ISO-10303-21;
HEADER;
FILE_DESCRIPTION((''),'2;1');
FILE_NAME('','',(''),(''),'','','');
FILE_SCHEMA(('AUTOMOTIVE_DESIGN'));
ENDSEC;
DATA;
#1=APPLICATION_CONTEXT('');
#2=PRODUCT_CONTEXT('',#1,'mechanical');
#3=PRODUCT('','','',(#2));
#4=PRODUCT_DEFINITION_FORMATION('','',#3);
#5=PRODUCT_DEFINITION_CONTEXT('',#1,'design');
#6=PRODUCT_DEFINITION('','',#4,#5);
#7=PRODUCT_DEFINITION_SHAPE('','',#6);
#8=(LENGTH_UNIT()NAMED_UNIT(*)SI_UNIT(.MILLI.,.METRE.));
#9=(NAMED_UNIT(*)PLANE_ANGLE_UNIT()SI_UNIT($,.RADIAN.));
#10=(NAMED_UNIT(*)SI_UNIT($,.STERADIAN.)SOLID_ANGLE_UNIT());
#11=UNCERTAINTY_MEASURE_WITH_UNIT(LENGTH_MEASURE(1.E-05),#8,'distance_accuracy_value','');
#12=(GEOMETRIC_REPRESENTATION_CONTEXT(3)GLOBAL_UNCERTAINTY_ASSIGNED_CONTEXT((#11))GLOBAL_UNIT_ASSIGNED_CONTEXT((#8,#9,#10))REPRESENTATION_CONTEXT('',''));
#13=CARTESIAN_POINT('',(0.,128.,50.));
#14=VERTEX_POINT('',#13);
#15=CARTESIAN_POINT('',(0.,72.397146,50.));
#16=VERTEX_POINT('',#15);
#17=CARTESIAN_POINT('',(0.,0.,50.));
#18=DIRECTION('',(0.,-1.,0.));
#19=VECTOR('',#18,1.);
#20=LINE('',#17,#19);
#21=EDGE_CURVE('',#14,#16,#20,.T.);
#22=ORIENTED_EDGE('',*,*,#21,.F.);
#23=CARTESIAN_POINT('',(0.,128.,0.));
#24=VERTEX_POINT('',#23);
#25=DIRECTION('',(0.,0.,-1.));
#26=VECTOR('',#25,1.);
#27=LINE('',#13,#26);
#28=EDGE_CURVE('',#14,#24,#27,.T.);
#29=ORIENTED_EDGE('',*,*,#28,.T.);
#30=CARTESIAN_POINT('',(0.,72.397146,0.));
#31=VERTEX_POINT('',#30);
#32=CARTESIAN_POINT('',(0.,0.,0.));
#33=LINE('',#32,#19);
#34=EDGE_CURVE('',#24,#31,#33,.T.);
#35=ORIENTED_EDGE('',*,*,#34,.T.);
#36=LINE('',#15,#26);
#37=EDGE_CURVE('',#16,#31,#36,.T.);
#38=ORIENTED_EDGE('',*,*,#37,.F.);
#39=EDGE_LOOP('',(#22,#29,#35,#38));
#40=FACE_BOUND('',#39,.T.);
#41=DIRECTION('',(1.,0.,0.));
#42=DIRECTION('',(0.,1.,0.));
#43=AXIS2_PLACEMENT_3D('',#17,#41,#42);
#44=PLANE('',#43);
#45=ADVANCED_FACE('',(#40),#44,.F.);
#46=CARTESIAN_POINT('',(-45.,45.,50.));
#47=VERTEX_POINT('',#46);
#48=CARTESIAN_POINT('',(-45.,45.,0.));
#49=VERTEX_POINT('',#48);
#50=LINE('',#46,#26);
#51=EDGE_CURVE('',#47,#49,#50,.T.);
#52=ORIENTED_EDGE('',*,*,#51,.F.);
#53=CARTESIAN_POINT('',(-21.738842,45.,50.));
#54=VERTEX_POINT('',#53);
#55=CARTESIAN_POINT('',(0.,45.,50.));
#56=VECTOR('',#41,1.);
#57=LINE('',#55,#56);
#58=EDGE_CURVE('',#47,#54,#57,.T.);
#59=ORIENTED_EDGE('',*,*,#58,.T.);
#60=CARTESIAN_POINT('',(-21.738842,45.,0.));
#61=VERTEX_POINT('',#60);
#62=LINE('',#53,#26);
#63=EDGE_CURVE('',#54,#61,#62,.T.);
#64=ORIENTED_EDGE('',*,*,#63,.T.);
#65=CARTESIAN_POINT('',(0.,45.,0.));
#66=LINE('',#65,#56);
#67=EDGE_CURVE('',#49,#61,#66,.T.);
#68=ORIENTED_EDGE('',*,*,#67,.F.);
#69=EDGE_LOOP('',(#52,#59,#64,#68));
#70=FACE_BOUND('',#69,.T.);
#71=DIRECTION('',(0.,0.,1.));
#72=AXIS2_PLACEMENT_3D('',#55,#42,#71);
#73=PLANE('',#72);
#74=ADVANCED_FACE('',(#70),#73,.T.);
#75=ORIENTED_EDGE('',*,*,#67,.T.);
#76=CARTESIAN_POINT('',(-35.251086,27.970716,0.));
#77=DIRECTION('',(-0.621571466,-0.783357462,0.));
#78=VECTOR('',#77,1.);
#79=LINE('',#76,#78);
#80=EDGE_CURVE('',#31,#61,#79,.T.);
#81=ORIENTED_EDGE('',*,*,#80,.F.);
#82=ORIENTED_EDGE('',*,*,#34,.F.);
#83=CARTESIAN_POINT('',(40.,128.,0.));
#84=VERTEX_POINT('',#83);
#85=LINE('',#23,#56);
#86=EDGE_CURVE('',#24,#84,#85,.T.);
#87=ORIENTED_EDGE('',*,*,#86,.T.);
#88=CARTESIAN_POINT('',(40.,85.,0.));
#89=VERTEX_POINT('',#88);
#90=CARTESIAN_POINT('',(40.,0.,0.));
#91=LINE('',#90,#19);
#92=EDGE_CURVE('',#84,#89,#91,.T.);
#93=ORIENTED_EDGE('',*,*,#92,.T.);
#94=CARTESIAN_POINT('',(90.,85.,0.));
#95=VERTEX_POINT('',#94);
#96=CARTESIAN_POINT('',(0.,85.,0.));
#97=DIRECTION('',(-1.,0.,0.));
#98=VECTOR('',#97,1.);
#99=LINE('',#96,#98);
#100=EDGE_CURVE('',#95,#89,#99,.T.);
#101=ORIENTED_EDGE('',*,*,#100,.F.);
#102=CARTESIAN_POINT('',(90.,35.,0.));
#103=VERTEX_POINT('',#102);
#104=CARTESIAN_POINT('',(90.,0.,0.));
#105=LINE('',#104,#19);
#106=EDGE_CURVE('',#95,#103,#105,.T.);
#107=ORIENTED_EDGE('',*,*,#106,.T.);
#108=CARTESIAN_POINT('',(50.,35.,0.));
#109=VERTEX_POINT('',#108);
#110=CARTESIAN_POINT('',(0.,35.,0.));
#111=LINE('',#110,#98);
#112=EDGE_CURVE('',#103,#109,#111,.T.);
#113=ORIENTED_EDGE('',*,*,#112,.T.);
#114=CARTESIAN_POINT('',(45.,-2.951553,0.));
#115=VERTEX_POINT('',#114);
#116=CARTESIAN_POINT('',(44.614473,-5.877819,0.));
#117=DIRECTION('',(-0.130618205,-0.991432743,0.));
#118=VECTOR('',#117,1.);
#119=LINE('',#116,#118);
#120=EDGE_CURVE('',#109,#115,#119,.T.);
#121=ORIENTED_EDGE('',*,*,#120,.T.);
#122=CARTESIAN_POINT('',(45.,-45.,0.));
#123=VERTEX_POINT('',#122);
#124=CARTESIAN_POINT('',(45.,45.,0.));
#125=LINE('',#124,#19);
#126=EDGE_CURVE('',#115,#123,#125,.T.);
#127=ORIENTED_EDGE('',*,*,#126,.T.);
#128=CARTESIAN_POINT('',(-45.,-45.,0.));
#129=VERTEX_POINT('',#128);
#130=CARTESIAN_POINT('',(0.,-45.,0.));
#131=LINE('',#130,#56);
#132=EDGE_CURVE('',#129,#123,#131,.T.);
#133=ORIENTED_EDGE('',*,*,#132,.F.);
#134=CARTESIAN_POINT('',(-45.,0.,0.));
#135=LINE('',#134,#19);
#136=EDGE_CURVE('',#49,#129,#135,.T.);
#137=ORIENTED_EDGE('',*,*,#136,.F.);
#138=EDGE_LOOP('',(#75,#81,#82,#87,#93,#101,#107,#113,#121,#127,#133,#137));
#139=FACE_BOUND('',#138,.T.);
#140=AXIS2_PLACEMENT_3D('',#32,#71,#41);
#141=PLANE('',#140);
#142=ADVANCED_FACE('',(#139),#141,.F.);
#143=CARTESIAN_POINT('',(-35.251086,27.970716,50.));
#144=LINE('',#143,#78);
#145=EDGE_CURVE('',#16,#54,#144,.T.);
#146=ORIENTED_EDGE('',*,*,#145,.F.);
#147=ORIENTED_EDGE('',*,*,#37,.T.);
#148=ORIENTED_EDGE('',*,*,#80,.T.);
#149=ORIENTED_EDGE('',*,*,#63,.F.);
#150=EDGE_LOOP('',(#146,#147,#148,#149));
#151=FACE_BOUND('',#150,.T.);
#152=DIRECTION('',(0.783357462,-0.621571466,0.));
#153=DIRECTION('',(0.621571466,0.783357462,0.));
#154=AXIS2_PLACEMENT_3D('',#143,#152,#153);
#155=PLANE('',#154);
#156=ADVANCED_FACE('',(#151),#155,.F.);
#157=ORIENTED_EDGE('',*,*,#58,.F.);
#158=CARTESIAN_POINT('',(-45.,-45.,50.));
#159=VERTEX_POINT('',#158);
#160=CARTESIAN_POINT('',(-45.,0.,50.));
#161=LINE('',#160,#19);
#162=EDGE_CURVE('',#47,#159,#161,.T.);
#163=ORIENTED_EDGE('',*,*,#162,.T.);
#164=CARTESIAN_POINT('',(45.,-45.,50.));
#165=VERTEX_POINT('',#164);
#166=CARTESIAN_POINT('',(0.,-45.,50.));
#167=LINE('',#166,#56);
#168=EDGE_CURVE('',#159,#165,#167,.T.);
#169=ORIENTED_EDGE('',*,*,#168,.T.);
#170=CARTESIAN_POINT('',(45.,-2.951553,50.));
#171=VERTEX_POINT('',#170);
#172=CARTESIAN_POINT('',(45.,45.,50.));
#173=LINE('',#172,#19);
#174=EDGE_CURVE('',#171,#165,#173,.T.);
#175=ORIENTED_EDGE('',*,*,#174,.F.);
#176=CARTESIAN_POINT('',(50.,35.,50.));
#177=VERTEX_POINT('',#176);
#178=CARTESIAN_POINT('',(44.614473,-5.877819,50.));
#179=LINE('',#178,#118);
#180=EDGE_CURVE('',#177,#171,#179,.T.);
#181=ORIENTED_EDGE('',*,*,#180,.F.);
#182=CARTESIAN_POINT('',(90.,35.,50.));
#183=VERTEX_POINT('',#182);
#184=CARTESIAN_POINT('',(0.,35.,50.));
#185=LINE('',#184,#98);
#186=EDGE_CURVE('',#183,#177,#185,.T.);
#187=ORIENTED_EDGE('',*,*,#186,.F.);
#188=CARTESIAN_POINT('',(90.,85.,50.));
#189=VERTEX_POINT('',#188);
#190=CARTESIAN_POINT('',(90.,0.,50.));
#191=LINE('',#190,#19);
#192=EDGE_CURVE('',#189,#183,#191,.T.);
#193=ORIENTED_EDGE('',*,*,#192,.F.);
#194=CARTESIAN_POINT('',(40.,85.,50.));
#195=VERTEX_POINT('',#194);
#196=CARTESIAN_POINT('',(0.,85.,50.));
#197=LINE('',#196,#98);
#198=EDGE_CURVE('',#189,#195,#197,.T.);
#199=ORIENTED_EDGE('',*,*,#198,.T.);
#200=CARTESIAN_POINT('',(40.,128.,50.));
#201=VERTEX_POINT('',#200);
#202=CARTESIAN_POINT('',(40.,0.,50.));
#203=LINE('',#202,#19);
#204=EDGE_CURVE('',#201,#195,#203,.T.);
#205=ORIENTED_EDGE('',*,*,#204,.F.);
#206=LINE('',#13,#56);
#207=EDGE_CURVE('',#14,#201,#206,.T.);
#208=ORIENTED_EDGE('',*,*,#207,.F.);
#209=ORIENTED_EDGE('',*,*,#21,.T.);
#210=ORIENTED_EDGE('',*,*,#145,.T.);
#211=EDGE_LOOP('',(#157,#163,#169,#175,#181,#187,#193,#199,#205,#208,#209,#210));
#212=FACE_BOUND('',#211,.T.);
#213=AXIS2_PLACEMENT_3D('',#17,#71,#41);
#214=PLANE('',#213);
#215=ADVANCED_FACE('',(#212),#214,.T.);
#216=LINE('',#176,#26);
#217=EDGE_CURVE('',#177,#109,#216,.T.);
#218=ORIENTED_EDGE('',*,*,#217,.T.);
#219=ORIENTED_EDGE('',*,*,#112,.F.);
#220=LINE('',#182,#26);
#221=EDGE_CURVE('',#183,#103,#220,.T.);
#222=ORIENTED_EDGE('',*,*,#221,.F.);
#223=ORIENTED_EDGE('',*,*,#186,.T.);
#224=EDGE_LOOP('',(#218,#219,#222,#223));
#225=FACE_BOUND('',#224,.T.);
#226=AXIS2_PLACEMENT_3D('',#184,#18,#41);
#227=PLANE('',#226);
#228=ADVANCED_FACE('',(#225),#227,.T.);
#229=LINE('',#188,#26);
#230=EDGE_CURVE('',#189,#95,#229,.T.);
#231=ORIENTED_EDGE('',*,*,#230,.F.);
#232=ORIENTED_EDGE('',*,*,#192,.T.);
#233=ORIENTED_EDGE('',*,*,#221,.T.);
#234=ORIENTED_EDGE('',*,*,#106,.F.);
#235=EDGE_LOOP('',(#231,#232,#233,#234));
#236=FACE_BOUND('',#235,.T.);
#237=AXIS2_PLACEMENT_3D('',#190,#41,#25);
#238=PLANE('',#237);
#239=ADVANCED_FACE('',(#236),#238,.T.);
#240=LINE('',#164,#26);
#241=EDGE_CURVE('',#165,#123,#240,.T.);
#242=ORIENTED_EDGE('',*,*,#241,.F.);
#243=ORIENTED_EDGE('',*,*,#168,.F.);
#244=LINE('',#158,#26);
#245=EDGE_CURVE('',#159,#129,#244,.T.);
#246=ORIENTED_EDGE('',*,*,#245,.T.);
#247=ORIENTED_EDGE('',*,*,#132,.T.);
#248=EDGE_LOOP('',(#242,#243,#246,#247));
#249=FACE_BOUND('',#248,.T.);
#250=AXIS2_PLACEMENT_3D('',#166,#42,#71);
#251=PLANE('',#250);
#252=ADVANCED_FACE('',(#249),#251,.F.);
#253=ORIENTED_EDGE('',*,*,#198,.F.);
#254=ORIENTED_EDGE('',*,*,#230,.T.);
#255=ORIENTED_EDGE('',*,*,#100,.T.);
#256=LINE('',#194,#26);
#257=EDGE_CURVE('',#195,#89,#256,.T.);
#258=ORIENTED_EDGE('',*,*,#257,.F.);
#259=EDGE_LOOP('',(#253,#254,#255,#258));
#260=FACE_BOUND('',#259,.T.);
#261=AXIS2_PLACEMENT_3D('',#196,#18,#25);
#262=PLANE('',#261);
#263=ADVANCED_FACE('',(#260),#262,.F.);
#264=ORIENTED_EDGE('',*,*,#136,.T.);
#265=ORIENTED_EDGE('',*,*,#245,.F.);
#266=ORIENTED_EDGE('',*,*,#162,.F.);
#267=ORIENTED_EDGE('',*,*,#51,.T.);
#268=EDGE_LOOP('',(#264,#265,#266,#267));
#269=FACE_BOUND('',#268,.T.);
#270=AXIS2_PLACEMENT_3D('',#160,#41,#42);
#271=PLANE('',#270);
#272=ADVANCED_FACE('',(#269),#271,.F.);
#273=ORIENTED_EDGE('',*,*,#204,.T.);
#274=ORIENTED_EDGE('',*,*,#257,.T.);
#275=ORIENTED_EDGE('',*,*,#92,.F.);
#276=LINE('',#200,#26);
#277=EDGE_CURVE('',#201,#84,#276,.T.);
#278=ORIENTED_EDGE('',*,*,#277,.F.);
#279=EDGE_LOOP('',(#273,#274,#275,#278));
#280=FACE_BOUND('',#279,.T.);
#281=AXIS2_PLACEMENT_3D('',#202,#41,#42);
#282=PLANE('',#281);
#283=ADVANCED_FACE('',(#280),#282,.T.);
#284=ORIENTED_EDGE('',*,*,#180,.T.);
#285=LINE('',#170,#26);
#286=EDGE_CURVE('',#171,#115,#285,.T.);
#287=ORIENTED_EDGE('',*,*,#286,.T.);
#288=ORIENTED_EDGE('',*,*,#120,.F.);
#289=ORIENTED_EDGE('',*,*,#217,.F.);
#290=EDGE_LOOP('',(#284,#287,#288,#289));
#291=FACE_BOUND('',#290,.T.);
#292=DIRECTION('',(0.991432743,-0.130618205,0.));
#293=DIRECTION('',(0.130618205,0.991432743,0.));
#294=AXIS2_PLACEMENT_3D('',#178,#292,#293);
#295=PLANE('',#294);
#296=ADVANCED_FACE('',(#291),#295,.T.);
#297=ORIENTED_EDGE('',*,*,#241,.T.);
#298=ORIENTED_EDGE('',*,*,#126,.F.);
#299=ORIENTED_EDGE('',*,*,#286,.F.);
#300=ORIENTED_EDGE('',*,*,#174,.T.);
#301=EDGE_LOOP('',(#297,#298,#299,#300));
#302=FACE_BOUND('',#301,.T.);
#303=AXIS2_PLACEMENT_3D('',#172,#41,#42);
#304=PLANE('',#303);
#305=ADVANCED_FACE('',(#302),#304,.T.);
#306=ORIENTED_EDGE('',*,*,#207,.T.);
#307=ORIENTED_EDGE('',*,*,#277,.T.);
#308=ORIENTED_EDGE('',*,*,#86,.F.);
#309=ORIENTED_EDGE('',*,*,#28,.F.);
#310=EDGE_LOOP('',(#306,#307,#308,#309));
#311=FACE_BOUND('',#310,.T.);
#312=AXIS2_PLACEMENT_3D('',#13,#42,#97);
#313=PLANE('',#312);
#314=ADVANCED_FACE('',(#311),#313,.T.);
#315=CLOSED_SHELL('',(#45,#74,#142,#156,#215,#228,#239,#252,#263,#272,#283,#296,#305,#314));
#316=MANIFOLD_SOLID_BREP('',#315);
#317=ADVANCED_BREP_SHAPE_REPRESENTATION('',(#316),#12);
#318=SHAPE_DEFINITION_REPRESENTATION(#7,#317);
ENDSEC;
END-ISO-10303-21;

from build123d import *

# Parameters (mm, degrees)
BOSS_EXTRUDE3_DEPTH = 50


with BuildPart() as part:
    # Sketch1 → Boss-Extrude3 (new body)
    with BuildSketch(Plane.XY):
        Polygon((0, 72.397145713), (-21.738841924, 45), (-45, 45), (-45, -45), (45, -45), (45, -2.951552963), (50, 35), (90, 35), (90, 85), (40, 85), (40, 128), (0, 128), align=None)
    extrude(amount=BOSS_EXTRUDE3_DEPTH)


solid = part.part
